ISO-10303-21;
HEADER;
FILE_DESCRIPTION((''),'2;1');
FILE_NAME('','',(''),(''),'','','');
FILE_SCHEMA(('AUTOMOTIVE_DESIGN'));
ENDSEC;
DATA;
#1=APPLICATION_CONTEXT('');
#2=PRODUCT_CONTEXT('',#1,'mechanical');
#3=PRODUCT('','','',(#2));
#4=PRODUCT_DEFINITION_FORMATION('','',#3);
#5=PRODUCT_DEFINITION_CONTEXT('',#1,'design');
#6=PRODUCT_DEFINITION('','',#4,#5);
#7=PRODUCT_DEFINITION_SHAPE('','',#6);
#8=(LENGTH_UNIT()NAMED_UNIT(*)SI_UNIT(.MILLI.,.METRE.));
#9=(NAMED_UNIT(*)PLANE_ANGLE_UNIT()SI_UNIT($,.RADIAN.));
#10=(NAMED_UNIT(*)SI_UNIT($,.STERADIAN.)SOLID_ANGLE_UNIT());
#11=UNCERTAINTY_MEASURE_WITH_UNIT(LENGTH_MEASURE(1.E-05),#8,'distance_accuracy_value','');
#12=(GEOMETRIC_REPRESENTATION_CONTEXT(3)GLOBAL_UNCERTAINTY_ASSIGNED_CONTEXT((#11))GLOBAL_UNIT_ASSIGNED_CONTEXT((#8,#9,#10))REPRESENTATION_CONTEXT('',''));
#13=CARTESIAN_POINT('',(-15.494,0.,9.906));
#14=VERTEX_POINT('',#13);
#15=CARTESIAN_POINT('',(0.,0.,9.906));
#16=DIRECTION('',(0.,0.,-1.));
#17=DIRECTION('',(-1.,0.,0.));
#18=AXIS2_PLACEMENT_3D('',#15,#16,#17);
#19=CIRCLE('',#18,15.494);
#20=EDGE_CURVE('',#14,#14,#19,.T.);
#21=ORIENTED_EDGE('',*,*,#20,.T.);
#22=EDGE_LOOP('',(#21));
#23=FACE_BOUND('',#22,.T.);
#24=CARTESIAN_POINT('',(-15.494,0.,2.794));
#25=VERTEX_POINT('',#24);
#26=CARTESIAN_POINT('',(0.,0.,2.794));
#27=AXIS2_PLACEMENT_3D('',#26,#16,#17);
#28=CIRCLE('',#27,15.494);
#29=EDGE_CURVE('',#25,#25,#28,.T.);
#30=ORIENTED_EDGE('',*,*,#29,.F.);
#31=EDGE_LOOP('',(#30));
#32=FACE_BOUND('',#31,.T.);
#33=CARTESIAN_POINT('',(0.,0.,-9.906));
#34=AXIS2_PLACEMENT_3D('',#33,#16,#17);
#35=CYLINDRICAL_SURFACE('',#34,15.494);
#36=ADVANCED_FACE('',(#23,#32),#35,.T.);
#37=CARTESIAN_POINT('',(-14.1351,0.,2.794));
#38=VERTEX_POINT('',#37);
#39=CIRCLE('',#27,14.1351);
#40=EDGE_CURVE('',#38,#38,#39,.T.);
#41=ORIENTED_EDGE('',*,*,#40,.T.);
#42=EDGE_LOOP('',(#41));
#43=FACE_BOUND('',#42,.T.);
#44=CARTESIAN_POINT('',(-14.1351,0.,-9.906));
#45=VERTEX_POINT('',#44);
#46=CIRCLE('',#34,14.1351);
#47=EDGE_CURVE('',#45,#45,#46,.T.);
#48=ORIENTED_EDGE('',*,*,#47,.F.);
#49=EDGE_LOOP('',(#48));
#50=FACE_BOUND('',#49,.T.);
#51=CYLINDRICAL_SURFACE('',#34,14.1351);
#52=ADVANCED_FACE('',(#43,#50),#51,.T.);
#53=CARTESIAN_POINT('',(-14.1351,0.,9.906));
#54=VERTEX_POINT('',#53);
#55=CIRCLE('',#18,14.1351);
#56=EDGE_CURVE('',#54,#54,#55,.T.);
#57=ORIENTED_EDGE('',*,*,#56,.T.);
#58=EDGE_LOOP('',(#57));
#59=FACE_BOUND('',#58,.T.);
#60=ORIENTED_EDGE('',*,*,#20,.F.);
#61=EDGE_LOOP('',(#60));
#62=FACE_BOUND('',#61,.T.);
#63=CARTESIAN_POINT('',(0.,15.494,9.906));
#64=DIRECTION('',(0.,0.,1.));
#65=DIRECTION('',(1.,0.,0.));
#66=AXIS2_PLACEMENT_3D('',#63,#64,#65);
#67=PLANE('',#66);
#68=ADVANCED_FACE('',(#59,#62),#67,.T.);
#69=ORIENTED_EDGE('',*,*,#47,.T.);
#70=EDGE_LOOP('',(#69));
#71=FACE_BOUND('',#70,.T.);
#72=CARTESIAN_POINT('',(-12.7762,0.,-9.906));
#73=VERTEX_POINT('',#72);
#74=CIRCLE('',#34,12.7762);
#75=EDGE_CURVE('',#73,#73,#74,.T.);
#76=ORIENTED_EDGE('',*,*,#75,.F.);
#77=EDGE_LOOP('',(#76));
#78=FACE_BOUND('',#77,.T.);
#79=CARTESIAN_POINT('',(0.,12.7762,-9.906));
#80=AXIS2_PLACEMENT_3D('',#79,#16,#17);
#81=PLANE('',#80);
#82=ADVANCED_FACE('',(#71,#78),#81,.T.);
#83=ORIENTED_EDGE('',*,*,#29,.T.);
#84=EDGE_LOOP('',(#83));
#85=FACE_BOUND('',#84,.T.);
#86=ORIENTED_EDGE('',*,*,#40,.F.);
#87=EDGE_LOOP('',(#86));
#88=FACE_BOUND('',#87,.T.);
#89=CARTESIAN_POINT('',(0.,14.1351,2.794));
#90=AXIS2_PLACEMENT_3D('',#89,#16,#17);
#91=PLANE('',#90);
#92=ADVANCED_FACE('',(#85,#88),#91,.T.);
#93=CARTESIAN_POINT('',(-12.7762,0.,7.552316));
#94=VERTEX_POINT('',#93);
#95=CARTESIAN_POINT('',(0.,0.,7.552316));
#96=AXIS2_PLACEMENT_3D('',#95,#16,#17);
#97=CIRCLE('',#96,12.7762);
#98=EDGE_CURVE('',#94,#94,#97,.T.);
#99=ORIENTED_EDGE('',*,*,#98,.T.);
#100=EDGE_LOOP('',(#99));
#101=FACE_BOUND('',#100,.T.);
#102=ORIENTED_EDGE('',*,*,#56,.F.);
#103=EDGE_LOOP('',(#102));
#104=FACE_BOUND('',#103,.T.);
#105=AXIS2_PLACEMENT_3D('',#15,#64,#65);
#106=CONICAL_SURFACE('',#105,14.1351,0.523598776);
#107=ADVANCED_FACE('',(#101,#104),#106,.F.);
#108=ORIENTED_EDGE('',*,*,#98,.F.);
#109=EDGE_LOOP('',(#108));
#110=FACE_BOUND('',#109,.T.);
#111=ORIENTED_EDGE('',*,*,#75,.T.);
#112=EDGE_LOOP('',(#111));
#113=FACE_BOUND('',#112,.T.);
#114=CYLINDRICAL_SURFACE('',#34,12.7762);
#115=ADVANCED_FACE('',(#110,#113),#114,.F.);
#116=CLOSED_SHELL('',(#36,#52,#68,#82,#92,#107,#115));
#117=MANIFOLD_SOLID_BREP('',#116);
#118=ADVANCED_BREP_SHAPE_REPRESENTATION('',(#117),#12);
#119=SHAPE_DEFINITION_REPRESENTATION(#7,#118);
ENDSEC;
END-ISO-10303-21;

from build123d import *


with BuildPart() as part:
    # Sketch1 → Revolve1 (revolve)
    with BuildSketch(Plane(origin=(0, 0, 0), x_dir=(0, 0, -1), z_dir=(1, 0, 0)), mode=Mode.PRIVATE) as revolve1_sk:
        Polygon((-9.906, 14.1351), (-7.552316158, 12.7762), (9.906, 12.7762), (9.906, 14.1351), (-2.794, 14.1351), (-2.794, 15.494), (-9.906, 15.494), align=None)
    revolve(revolve1_sk.sketch.rotate(Axis((0, 0, -9.906), (0, 0, 1)), 90), axis=Axis((0, 0, -9.906), (0, 0, 1)))


solid = part.part
